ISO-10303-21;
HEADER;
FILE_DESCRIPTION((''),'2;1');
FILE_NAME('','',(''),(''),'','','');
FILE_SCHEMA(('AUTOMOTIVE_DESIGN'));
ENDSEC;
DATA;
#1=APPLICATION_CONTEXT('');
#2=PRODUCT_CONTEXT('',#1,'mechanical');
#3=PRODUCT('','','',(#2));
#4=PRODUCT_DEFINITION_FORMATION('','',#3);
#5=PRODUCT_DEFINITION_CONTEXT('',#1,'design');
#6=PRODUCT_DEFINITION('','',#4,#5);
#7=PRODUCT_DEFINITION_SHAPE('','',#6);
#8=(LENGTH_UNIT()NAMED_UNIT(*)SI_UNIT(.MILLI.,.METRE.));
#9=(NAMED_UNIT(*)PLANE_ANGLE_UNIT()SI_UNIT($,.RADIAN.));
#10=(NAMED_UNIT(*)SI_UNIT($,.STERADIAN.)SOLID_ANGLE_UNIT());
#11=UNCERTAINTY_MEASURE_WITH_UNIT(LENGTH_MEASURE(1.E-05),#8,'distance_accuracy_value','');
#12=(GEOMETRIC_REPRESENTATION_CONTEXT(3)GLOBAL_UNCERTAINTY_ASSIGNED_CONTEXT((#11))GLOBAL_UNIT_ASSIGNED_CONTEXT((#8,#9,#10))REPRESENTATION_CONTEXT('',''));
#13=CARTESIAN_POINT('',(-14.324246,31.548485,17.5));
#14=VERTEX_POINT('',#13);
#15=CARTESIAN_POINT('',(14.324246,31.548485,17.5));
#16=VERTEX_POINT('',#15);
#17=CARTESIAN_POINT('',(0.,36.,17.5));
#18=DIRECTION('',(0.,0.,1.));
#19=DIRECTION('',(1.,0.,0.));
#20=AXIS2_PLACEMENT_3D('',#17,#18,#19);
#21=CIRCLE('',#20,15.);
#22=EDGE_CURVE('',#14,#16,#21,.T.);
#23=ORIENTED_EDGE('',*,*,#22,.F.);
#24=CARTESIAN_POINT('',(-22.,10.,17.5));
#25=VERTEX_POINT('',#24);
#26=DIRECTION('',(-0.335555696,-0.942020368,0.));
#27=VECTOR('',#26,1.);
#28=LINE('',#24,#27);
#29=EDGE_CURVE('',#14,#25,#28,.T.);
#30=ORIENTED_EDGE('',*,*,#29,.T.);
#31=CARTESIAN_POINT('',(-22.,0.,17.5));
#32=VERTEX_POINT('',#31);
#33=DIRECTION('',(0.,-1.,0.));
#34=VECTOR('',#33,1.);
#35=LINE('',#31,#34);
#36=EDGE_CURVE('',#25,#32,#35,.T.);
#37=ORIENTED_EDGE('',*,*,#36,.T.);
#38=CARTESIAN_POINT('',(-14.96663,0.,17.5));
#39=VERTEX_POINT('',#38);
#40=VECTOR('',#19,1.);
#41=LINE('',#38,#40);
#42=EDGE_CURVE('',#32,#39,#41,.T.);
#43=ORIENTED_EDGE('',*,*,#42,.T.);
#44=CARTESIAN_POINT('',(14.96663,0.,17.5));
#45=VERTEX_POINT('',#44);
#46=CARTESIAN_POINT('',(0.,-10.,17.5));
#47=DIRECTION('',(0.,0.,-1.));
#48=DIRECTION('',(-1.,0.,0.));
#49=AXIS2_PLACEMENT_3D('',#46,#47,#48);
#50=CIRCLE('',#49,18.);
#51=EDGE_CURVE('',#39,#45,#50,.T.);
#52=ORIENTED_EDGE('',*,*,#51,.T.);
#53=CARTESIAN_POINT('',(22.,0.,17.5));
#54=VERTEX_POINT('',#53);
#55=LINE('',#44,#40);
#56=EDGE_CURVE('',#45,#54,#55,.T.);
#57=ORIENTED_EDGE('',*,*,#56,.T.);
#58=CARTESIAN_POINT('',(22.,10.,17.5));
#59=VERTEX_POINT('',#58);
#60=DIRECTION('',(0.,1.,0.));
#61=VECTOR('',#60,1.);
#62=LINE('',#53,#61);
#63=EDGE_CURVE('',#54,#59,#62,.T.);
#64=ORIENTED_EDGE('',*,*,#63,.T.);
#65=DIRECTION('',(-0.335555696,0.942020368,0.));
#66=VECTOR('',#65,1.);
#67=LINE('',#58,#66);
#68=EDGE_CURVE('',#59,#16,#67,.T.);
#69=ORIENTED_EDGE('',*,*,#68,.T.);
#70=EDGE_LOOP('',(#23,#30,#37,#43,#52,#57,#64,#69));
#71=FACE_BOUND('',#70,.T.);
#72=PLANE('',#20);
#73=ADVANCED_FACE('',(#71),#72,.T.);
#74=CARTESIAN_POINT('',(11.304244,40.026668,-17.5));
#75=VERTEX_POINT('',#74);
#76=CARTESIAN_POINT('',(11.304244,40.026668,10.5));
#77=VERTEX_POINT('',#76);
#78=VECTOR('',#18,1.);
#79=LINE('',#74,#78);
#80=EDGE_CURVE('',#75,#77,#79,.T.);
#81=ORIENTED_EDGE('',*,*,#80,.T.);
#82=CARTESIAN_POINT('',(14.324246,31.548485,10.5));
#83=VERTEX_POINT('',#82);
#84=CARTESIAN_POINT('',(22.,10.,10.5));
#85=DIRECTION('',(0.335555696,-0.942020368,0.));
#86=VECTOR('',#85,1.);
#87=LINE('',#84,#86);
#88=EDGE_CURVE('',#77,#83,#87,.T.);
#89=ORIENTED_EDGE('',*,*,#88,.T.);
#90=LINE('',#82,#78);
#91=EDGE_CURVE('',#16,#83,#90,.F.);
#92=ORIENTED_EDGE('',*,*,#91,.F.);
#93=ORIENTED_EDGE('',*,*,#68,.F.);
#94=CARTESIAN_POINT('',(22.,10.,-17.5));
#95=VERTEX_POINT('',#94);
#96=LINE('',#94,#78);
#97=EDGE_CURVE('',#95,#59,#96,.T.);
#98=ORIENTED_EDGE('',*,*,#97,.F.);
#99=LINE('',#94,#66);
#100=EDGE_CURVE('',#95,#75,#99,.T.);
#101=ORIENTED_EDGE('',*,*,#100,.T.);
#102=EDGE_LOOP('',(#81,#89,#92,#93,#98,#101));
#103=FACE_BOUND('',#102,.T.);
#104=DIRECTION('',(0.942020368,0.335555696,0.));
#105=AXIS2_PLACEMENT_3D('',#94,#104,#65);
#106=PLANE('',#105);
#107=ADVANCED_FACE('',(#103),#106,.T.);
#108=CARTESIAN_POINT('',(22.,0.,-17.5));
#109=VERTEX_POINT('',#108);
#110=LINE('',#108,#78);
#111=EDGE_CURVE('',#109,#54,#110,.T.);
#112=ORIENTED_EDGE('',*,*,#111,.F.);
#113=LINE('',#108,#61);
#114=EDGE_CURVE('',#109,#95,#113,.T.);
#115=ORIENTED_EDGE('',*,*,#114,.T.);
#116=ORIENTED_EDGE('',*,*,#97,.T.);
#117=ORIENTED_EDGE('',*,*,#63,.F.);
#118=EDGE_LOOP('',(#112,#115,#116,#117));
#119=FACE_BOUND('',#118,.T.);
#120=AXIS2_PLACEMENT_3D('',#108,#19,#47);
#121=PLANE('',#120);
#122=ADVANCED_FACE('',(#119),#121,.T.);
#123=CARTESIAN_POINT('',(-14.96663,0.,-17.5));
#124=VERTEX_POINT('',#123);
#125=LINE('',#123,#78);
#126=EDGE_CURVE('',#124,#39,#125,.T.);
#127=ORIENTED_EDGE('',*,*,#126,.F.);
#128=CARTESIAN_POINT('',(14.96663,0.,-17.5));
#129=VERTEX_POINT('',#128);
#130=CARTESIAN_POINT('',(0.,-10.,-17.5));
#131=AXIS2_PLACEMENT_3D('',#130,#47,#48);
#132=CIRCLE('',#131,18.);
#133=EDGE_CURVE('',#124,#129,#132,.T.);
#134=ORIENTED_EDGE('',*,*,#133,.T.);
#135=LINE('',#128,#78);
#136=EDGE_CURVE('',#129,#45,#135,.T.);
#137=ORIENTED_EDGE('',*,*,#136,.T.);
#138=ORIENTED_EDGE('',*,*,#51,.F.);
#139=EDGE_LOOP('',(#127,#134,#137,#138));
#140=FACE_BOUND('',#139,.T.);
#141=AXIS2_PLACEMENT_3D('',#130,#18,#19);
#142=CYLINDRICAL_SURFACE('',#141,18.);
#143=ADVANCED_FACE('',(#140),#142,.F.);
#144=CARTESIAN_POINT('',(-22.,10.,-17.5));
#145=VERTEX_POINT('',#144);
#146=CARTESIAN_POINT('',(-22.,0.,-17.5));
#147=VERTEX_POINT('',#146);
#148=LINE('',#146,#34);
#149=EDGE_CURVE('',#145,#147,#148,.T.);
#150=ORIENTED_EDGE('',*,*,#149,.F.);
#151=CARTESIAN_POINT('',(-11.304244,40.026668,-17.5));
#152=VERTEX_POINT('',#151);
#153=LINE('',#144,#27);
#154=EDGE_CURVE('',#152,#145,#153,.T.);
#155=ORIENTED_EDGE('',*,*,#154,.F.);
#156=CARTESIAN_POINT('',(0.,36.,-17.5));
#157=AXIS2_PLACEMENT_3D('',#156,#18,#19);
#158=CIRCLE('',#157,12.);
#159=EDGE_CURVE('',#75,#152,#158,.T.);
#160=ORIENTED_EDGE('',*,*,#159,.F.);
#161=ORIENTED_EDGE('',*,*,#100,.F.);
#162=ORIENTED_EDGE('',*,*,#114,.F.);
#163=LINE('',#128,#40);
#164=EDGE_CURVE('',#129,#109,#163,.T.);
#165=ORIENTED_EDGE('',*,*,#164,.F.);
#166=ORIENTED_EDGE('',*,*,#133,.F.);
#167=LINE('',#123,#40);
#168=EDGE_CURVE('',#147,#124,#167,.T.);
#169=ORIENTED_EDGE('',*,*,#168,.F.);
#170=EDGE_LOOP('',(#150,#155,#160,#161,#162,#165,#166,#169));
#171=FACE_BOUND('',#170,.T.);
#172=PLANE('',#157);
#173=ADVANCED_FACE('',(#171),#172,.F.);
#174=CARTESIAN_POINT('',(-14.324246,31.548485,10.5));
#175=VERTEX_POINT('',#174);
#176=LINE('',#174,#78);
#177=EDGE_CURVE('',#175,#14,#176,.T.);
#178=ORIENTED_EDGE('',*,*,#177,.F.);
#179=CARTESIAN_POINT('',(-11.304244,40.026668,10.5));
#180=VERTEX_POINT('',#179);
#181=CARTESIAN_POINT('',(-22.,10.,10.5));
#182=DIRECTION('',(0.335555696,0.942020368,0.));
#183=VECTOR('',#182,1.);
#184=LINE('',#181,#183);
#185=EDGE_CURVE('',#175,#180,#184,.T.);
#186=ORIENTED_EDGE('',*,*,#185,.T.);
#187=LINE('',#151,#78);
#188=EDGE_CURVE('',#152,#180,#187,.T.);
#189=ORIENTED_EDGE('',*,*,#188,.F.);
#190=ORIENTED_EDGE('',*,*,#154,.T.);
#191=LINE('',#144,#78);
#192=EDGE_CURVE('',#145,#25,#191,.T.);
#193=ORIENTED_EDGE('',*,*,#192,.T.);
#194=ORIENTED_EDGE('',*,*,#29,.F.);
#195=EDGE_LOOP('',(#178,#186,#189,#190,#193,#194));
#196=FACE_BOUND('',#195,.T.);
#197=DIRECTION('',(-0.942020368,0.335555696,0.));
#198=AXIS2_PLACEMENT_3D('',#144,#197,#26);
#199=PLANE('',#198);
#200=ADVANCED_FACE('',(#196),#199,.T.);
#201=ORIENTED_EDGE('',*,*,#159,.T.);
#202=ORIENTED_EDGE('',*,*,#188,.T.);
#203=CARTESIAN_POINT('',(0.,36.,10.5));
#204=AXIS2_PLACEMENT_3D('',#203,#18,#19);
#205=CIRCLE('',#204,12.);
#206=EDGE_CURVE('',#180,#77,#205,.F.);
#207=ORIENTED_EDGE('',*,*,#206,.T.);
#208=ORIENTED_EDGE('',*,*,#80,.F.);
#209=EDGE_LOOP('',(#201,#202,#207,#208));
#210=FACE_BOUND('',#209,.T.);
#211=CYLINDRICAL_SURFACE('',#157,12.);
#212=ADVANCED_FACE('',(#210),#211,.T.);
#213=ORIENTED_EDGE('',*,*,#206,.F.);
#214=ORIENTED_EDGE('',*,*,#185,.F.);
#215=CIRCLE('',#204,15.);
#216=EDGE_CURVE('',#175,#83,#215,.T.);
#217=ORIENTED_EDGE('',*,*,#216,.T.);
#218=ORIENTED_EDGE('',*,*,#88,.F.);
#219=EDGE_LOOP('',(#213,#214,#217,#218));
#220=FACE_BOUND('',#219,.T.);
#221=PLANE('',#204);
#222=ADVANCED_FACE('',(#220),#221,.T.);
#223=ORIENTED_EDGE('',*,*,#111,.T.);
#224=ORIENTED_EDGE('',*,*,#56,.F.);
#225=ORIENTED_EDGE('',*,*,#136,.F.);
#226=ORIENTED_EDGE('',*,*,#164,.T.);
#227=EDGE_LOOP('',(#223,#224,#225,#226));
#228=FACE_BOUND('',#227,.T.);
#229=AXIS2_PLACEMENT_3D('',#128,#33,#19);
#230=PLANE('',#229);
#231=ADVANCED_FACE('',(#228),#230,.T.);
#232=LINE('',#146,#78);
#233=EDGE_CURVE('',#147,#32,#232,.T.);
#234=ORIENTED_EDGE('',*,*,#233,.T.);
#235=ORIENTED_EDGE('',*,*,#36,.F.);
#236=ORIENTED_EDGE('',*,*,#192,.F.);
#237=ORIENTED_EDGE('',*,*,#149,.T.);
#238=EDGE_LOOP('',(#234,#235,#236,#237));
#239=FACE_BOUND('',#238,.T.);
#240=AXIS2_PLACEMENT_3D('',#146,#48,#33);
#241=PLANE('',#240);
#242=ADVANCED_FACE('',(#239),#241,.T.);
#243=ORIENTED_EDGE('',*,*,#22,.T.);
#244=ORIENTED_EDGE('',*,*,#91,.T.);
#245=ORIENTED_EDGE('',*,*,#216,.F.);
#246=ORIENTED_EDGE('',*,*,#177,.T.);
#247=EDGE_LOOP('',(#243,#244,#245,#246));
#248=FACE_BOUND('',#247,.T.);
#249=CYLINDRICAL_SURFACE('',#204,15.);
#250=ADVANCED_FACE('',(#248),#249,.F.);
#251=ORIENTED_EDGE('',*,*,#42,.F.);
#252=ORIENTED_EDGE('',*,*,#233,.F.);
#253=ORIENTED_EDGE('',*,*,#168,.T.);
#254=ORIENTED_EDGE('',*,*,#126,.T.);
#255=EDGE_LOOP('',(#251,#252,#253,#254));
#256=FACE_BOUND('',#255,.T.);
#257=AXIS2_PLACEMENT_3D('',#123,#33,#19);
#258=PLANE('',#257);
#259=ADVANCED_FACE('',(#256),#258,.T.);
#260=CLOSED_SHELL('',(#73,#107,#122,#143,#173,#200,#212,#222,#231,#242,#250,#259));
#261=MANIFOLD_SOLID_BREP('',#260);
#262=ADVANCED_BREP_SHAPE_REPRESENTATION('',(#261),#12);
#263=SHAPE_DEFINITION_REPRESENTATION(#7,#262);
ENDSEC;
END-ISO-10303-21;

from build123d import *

# Parameters (mm, degrees)
BOSS_EXTRUDE1_DEPTH = 17.5
SKETCH2_R           = 15
CUT_EXTRUDE1_DEPTH  = 7


with BuildPart() as part:
    # Sketch1 → Boss-Extrude1 (new, symmetric)
    with BuildSketch(Plane.XY):
        with BuildLine():
            Line((14.966629547, 0), (22, 0))
            Line((22, 0), (22, 10))
            Line((22, 10), (11.304244422, 40.026668357))
            ThreePointArc((11.304244422, 40.026668357), (0, 48), (-11.304244422, 40.026668357))
            Line((-11.304244422, 40.026668357), (-22, 10))
            Line((-22, 10), (-22, 0))
            Line((-22, 0), (-14.966629547, 0))
            ThreePointArc((-14.966629547, 0), (0, 8), (14.966629547, 0))
        make_face()
    extrude(amount=BOSS_EXTRUDE1_DEPTH, both=True)

    # Sketch2 → Cut-Extrude1 (cut)
    with BuildSketch(Plane.XY.offset(17.5)):
        with Locations((0, 36)):
            Circle(SKETCH2_R)
    extrude(amount=-CUT_EXTRUDE1_DEPTH, mode=Mode.SUBTRACT)


solid = part.part
